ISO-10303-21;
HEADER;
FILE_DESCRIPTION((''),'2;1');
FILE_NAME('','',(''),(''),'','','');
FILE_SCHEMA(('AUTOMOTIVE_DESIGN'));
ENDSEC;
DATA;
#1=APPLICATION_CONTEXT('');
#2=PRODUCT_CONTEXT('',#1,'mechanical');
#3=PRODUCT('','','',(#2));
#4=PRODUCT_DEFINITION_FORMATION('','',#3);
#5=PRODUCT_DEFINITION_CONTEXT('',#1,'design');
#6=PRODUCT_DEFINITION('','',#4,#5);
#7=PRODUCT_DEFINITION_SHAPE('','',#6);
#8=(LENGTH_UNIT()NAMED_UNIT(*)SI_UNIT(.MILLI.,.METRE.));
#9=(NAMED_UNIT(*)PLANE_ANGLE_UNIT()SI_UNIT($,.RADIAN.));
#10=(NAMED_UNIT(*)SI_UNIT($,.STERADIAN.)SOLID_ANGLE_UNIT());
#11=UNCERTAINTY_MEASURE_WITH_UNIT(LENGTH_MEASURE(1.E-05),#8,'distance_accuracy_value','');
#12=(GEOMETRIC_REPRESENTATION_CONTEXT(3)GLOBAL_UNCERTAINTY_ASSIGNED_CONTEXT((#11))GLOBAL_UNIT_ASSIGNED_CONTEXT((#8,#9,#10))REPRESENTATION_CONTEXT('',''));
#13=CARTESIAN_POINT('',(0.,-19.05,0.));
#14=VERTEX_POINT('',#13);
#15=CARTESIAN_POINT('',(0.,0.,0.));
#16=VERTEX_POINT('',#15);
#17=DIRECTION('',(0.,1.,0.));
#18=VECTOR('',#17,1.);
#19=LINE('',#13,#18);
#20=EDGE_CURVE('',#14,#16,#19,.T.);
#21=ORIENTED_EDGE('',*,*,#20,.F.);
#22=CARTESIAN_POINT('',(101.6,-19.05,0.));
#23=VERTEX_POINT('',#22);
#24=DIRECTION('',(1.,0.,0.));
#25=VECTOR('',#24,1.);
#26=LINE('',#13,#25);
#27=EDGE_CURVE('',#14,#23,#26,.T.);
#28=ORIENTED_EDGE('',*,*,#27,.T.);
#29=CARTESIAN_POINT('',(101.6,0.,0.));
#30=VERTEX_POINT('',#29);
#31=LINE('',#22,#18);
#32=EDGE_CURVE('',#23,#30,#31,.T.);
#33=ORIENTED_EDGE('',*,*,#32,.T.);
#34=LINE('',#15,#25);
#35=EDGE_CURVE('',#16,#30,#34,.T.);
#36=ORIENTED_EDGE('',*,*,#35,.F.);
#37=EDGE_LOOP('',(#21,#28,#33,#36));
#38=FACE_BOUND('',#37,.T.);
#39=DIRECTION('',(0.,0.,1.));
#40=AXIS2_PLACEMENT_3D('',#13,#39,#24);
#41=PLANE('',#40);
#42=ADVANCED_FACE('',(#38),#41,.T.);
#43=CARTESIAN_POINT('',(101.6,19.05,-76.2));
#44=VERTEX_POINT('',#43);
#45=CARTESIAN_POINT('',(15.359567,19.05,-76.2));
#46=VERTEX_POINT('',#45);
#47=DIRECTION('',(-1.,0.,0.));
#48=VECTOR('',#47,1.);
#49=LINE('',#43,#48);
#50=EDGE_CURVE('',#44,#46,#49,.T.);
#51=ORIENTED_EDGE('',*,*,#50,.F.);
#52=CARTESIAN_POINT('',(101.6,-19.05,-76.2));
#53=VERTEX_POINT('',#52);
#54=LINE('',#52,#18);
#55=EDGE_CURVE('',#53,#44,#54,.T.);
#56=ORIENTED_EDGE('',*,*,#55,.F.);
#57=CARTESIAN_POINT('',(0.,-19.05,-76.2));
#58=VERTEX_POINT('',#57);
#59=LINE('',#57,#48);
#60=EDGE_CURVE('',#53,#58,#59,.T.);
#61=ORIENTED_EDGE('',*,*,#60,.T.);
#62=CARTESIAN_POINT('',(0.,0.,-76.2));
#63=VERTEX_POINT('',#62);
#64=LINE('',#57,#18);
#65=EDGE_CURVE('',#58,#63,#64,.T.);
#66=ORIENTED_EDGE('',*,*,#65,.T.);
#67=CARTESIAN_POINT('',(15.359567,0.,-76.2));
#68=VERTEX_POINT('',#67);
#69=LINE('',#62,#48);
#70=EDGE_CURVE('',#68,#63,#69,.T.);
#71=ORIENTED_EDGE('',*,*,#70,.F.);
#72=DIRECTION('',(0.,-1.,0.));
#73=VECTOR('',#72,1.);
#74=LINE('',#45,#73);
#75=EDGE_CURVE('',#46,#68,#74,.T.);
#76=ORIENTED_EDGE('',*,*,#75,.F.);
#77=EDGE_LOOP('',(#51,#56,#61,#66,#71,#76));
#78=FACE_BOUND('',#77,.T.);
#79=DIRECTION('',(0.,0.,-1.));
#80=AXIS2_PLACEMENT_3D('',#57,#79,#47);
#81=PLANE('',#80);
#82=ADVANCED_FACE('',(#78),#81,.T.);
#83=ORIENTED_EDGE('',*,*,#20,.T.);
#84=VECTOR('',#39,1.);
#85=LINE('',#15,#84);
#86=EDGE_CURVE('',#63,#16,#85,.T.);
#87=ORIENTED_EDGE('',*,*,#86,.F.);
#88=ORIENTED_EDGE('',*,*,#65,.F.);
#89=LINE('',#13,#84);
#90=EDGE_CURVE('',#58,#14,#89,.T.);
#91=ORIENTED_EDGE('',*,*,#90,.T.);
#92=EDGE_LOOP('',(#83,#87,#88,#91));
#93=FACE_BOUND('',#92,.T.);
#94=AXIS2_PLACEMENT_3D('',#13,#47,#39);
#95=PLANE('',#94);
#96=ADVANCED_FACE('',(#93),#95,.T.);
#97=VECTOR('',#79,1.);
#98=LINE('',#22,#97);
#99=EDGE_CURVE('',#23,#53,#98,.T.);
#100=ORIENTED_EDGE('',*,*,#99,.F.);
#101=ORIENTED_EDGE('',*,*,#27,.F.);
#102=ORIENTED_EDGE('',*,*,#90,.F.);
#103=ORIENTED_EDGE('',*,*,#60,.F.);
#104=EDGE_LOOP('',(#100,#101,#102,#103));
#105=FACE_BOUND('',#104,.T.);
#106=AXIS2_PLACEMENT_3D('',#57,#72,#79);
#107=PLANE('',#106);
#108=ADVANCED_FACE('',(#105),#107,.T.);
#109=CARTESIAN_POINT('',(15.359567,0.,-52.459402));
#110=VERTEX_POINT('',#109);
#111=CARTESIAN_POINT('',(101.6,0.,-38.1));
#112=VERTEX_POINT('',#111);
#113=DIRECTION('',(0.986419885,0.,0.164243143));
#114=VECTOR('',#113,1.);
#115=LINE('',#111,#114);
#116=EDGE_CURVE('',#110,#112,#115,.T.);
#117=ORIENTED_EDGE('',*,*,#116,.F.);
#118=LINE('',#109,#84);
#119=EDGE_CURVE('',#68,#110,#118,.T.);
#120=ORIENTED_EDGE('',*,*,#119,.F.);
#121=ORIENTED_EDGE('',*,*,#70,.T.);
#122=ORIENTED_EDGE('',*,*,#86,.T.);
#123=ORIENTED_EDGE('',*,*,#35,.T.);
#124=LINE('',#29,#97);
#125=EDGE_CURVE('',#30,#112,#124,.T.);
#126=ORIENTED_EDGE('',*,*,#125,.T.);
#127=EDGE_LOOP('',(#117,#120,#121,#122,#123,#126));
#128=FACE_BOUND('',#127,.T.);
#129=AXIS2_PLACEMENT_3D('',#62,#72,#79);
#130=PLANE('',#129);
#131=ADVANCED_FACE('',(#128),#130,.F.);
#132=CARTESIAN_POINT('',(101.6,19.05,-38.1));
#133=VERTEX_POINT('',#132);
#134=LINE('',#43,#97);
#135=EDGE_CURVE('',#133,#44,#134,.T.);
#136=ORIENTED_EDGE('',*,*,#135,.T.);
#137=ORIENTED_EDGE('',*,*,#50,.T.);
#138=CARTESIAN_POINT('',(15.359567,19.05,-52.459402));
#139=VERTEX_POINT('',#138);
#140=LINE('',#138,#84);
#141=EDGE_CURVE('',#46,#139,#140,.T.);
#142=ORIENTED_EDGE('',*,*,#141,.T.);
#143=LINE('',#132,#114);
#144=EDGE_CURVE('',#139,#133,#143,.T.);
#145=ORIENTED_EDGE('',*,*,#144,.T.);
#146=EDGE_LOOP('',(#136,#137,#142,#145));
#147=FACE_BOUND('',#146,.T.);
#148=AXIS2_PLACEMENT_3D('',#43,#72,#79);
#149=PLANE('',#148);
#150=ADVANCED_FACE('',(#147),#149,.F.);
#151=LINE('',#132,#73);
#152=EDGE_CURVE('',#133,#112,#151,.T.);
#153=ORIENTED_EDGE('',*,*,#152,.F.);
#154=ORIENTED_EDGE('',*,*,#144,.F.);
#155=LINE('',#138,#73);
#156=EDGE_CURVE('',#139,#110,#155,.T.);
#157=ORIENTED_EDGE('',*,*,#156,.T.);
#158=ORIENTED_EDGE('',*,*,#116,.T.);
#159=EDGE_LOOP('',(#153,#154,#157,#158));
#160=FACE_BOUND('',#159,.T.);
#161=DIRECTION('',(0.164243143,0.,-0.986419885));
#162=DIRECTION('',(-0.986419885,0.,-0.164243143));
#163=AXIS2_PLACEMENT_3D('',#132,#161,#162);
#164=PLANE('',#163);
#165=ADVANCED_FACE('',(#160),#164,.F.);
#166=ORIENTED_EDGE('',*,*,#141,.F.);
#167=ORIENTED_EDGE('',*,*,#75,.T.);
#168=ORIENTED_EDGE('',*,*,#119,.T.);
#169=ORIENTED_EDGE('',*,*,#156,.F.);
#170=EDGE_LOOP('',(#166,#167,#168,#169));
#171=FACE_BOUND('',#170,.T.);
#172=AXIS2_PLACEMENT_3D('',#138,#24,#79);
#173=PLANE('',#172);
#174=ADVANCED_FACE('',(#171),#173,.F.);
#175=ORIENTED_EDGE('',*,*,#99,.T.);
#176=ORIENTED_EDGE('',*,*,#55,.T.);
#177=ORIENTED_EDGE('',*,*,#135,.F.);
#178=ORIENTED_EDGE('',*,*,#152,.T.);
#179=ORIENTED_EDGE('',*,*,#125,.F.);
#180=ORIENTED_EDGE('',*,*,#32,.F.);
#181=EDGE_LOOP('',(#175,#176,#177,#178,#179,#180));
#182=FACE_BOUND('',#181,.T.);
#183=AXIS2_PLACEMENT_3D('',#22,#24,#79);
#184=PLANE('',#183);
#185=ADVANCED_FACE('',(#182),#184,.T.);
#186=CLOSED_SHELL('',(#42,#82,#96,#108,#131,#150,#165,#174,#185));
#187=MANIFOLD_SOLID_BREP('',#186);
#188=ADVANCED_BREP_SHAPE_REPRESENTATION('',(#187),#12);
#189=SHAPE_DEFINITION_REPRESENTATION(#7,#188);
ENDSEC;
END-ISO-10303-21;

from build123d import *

# Parameters (mm, degrees)
SKETCH14_W     = 101.6
SKETCH14_H     = 76.2
EXTRUDE5_DEPTH = 19.05
EXTRUDE6_DEPTH = 19.05


with BuildPart() as part:
    # Sketch14 → Extrude5 (new body)
    with BuildSketch(Plane(origin=(0, 0, 0), x_dir=(1, 0, 0), z_dir=(0, 1, 0))):
        with Locations((50.8, 38.1)):
            Rectangle(SKETCH14_W, SKETCH14_H)
    extrude(amount=-EXTRUDE5_DEPTH)

    # Sketch15 → Extrude6 (add)
    with BuildSketch(Plane(origin=(0, 0, 0), x_dir=(1, 0, 0), z_dir=(0, 1, 0))):
        Polygon((101.6, 38.1), (15.359566814, 52.459402124), (15.359566814, 76.2), (101.6, 76.2), align=None)
    extrude(amount=EXTRUDE6_DEPTH)


solid = part.part
